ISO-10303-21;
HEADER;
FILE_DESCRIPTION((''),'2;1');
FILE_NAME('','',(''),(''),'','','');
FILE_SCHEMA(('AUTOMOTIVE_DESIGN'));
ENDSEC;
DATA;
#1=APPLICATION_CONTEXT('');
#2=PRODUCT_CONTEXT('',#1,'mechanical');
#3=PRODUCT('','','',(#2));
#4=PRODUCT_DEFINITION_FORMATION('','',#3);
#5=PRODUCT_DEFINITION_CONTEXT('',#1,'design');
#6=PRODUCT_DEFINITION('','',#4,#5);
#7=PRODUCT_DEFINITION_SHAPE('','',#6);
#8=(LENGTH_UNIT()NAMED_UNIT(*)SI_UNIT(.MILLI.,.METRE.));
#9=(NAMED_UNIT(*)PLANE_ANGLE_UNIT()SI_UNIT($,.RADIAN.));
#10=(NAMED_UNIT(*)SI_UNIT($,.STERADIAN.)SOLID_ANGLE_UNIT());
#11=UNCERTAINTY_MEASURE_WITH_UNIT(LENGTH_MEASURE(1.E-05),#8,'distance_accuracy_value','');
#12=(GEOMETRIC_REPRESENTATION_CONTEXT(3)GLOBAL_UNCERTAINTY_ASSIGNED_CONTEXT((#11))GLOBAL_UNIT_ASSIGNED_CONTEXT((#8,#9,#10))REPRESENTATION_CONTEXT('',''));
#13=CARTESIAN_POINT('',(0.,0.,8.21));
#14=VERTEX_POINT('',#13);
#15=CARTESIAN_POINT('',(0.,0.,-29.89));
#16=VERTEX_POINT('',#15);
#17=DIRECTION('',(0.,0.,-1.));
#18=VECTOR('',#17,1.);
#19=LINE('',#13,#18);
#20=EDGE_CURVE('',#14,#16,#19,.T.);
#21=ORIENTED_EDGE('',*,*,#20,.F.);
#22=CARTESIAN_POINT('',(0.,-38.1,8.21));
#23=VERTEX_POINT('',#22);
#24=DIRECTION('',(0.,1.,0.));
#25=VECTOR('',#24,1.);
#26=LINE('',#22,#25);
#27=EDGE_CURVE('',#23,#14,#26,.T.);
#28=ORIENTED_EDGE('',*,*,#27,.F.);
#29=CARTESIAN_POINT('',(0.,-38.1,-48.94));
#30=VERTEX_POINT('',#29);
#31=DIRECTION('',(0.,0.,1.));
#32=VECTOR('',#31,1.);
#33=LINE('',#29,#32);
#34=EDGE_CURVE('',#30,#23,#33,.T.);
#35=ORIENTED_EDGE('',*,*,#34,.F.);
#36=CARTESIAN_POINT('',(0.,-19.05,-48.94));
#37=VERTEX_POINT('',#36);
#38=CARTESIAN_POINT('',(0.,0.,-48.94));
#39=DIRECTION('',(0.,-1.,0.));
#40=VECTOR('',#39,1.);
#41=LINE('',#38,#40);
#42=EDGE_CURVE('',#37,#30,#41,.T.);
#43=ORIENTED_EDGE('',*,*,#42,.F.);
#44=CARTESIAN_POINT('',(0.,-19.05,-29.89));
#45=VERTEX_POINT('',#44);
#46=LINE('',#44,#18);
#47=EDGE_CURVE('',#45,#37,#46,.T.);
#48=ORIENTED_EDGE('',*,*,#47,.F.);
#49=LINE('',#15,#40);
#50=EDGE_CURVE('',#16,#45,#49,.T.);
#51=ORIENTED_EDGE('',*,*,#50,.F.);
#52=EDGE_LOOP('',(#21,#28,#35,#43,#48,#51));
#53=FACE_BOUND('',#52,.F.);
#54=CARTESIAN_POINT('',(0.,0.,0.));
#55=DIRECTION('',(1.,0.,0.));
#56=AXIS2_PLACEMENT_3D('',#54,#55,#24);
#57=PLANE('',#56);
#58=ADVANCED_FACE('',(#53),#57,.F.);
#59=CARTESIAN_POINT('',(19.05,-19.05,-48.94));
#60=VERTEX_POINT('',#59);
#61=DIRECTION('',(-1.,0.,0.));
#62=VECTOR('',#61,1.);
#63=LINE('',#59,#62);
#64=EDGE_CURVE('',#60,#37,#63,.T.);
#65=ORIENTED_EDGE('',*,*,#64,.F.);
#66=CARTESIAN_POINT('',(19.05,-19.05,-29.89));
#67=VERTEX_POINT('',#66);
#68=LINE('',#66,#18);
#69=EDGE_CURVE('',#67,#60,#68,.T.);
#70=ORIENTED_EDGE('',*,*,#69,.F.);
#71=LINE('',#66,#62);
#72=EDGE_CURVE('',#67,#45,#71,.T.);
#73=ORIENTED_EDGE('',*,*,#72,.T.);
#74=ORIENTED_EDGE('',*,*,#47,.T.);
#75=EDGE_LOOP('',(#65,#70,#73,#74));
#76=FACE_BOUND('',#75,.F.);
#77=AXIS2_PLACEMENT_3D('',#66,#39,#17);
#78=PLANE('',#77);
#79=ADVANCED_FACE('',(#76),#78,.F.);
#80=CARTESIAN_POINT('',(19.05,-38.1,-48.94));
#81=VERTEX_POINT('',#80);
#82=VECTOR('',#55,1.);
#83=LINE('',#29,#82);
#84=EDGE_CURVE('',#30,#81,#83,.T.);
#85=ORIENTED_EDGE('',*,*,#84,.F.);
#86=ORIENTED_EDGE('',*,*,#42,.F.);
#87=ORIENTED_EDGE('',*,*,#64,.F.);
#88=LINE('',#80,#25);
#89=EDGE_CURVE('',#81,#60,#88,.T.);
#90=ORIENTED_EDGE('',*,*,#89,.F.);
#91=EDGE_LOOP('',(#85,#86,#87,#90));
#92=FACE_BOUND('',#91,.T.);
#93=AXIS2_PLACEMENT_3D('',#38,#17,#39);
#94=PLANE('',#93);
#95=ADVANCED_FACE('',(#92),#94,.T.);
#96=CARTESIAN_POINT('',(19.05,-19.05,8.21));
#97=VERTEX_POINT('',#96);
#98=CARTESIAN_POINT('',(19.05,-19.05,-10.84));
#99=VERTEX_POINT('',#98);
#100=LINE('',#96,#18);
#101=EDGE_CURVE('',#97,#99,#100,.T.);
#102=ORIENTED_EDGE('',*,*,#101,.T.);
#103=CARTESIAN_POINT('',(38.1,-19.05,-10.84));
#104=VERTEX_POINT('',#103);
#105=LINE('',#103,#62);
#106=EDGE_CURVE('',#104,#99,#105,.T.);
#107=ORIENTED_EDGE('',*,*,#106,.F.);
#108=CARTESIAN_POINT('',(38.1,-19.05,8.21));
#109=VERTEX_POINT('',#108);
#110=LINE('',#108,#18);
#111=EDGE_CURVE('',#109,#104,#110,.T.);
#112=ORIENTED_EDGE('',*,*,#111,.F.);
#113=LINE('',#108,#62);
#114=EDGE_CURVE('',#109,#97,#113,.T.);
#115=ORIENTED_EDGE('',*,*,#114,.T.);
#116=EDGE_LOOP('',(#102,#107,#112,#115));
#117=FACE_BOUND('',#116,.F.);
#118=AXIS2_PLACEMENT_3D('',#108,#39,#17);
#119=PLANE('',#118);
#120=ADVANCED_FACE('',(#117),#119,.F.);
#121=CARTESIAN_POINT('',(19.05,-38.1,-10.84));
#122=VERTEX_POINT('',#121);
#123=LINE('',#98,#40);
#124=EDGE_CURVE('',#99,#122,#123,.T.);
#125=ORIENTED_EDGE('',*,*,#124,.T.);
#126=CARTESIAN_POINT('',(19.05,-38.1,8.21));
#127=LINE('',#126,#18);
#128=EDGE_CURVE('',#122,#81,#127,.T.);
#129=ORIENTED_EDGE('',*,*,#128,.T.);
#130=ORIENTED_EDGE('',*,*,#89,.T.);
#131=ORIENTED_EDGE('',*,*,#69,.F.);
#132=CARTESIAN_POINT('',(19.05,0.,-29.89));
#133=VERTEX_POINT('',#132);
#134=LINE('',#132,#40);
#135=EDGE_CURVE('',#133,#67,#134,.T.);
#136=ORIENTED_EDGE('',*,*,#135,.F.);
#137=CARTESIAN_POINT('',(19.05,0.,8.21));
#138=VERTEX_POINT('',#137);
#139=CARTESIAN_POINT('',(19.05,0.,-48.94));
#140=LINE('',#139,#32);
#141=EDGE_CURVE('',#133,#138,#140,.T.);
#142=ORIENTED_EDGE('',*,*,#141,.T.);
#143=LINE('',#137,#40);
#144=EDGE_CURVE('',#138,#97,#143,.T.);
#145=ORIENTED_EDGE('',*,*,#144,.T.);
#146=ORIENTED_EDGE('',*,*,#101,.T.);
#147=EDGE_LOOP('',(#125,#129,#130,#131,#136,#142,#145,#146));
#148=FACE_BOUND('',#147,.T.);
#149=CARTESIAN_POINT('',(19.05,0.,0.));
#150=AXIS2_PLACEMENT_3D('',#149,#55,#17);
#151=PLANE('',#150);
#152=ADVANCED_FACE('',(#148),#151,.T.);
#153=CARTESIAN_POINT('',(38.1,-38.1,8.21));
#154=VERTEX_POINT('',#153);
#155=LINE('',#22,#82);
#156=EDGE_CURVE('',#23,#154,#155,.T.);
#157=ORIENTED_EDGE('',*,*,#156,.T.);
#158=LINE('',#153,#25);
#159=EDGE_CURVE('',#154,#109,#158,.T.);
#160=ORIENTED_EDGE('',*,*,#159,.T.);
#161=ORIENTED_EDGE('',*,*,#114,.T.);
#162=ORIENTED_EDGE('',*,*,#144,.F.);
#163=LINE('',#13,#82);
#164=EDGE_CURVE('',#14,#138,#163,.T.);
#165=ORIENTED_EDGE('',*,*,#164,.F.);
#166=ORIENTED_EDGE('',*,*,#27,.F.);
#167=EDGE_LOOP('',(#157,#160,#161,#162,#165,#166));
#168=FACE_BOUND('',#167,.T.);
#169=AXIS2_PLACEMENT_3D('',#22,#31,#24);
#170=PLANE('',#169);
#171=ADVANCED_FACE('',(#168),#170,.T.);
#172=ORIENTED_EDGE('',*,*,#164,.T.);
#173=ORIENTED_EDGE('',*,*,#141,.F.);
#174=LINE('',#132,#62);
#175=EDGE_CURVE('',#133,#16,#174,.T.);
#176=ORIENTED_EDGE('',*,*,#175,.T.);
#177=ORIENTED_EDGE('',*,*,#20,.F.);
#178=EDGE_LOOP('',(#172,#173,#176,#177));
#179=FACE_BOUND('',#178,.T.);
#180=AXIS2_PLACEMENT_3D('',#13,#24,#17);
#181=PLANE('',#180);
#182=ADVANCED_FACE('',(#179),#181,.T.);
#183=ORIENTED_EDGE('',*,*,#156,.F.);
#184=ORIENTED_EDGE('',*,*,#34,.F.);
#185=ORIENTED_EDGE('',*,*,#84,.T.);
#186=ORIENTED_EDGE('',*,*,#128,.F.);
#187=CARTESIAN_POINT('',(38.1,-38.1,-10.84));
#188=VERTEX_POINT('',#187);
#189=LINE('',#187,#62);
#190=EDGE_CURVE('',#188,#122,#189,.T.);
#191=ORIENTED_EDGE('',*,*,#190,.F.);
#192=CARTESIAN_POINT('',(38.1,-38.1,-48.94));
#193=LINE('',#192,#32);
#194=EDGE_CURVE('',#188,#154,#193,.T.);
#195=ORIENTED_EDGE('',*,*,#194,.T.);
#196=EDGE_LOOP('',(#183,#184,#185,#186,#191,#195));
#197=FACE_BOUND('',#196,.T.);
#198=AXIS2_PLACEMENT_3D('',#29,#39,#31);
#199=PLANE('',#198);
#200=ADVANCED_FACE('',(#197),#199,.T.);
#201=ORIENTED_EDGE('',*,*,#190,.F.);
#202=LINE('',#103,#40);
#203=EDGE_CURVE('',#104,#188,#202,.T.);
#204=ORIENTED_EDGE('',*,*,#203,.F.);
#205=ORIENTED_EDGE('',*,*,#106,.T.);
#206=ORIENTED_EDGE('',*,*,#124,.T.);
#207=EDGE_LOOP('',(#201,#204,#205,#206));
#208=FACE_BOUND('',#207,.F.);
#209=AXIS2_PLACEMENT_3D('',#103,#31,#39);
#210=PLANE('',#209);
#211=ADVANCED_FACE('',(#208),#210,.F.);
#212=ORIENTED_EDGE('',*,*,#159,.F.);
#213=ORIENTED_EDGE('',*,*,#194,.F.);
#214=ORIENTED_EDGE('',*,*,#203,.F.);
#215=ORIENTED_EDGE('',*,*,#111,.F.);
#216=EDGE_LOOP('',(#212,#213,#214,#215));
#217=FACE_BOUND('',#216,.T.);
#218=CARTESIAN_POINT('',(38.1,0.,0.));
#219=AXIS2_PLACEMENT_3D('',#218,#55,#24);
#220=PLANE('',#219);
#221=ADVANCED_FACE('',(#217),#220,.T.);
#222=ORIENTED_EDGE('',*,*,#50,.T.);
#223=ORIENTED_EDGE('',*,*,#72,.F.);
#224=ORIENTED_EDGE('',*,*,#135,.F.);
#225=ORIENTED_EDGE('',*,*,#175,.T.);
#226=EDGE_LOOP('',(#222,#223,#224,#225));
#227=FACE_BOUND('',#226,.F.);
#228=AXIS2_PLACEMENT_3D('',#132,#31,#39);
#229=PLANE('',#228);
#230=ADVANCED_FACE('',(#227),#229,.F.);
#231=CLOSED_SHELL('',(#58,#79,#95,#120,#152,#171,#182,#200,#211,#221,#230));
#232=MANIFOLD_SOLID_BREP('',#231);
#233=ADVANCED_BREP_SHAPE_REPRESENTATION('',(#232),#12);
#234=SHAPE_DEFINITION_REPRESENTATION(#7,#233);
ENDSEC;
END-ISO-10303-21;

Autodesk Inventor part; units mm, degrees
ref_plane "YZ Plane" through (0, 0, 0) normal (1, 0, 0) x (0, 1, 0)
ref_plane "XZ Plane" through (0, 0, 0) normal (0, 1, 0) x (-1, 0, 0)
ref_plane "XY Plane" through (0, 0, 0) normal (0, 0, 1) x (1, 0, 0)
sketch "Sketch1" plane through (0, 0, 0) normal (1, 0, 0) x (0, 1, 0)
  line L0 (0, -48.94) -> (-38.1, -48.94)
  line L1 (-38.1, -48.94) -> (-38.1, 8.21)
  line L2 (-38.1, 8.21) -> (0, 8.21)
  line L3 (0, 8.21) -> (0, -48.94)
  point P0 (0, 0)
  dimension "d1" = 38.1
  dimension "d2" = 57.15
extrude "Extrusion1" add sketch "Sketch1" along normal blind 38.1
sketch "Sketch2" plane through (38.1, 0, 0) normal (1, 0, 0) x (0, 0, -1)
  line L0 (-8.21, 0) -> (-8.21, -38.1) projected
  line L1 (-8.21, 0) -> (-8.21, -19.05)
  line L2 (-8.21, -19.05) -> (10.84, -19.05)
  line L3 (10.84, -19.05) -> (10.84, -38.1)
  line L4 (-8.21, -38.1) -> (48.94, -38.1) projected
  line L5 (48.94, -38.1) -> (48.94, 0) projected
  line L6 (10.84, -38.1) -> (48.94, -38.1)
  line L7 (48.94, -38.1) -> (48.94, 0)
  line L8 (48.94, 0) -> (-8.21, 0) projected
  line L9 (48.94, 0) -> (-8.21, 0)
  point P0 (0, 0)
  dimension "d5" = 19.05
  dimension "d6" = 19.05
extrude "Extrusion2" cut sketch "Sketch2" against normal blind 19.05 contours L8 L5 L4 L3 L2 L0
sketch "Sketch3" plane through (19.05, 0, 0) normal (1, 0, 0) x (0, 0, -1)
  line L0 (48.94, 0) -> (48.94, -38.1) projected
  line L1 (48.94, 0) -> (29.89, 0)
  line L2 (-8.21, 0) -> (48.94, 0) projected
  line L3 (29.89, 0) -> (29.89, -19.05)
  line L4 (29.89, -19.05) -> (48.94, -19.05)
  line L5 (48.94, -19.05) -> (48.94, 0)
  point P0 (0, 0)
  dimension "d9" = 19.05
  dimension "d10" = 19.05
extrude "Extrusion3" cut sketch "Sketch3" against normal blind 19.05
properties part number "Substract Method(1)"
